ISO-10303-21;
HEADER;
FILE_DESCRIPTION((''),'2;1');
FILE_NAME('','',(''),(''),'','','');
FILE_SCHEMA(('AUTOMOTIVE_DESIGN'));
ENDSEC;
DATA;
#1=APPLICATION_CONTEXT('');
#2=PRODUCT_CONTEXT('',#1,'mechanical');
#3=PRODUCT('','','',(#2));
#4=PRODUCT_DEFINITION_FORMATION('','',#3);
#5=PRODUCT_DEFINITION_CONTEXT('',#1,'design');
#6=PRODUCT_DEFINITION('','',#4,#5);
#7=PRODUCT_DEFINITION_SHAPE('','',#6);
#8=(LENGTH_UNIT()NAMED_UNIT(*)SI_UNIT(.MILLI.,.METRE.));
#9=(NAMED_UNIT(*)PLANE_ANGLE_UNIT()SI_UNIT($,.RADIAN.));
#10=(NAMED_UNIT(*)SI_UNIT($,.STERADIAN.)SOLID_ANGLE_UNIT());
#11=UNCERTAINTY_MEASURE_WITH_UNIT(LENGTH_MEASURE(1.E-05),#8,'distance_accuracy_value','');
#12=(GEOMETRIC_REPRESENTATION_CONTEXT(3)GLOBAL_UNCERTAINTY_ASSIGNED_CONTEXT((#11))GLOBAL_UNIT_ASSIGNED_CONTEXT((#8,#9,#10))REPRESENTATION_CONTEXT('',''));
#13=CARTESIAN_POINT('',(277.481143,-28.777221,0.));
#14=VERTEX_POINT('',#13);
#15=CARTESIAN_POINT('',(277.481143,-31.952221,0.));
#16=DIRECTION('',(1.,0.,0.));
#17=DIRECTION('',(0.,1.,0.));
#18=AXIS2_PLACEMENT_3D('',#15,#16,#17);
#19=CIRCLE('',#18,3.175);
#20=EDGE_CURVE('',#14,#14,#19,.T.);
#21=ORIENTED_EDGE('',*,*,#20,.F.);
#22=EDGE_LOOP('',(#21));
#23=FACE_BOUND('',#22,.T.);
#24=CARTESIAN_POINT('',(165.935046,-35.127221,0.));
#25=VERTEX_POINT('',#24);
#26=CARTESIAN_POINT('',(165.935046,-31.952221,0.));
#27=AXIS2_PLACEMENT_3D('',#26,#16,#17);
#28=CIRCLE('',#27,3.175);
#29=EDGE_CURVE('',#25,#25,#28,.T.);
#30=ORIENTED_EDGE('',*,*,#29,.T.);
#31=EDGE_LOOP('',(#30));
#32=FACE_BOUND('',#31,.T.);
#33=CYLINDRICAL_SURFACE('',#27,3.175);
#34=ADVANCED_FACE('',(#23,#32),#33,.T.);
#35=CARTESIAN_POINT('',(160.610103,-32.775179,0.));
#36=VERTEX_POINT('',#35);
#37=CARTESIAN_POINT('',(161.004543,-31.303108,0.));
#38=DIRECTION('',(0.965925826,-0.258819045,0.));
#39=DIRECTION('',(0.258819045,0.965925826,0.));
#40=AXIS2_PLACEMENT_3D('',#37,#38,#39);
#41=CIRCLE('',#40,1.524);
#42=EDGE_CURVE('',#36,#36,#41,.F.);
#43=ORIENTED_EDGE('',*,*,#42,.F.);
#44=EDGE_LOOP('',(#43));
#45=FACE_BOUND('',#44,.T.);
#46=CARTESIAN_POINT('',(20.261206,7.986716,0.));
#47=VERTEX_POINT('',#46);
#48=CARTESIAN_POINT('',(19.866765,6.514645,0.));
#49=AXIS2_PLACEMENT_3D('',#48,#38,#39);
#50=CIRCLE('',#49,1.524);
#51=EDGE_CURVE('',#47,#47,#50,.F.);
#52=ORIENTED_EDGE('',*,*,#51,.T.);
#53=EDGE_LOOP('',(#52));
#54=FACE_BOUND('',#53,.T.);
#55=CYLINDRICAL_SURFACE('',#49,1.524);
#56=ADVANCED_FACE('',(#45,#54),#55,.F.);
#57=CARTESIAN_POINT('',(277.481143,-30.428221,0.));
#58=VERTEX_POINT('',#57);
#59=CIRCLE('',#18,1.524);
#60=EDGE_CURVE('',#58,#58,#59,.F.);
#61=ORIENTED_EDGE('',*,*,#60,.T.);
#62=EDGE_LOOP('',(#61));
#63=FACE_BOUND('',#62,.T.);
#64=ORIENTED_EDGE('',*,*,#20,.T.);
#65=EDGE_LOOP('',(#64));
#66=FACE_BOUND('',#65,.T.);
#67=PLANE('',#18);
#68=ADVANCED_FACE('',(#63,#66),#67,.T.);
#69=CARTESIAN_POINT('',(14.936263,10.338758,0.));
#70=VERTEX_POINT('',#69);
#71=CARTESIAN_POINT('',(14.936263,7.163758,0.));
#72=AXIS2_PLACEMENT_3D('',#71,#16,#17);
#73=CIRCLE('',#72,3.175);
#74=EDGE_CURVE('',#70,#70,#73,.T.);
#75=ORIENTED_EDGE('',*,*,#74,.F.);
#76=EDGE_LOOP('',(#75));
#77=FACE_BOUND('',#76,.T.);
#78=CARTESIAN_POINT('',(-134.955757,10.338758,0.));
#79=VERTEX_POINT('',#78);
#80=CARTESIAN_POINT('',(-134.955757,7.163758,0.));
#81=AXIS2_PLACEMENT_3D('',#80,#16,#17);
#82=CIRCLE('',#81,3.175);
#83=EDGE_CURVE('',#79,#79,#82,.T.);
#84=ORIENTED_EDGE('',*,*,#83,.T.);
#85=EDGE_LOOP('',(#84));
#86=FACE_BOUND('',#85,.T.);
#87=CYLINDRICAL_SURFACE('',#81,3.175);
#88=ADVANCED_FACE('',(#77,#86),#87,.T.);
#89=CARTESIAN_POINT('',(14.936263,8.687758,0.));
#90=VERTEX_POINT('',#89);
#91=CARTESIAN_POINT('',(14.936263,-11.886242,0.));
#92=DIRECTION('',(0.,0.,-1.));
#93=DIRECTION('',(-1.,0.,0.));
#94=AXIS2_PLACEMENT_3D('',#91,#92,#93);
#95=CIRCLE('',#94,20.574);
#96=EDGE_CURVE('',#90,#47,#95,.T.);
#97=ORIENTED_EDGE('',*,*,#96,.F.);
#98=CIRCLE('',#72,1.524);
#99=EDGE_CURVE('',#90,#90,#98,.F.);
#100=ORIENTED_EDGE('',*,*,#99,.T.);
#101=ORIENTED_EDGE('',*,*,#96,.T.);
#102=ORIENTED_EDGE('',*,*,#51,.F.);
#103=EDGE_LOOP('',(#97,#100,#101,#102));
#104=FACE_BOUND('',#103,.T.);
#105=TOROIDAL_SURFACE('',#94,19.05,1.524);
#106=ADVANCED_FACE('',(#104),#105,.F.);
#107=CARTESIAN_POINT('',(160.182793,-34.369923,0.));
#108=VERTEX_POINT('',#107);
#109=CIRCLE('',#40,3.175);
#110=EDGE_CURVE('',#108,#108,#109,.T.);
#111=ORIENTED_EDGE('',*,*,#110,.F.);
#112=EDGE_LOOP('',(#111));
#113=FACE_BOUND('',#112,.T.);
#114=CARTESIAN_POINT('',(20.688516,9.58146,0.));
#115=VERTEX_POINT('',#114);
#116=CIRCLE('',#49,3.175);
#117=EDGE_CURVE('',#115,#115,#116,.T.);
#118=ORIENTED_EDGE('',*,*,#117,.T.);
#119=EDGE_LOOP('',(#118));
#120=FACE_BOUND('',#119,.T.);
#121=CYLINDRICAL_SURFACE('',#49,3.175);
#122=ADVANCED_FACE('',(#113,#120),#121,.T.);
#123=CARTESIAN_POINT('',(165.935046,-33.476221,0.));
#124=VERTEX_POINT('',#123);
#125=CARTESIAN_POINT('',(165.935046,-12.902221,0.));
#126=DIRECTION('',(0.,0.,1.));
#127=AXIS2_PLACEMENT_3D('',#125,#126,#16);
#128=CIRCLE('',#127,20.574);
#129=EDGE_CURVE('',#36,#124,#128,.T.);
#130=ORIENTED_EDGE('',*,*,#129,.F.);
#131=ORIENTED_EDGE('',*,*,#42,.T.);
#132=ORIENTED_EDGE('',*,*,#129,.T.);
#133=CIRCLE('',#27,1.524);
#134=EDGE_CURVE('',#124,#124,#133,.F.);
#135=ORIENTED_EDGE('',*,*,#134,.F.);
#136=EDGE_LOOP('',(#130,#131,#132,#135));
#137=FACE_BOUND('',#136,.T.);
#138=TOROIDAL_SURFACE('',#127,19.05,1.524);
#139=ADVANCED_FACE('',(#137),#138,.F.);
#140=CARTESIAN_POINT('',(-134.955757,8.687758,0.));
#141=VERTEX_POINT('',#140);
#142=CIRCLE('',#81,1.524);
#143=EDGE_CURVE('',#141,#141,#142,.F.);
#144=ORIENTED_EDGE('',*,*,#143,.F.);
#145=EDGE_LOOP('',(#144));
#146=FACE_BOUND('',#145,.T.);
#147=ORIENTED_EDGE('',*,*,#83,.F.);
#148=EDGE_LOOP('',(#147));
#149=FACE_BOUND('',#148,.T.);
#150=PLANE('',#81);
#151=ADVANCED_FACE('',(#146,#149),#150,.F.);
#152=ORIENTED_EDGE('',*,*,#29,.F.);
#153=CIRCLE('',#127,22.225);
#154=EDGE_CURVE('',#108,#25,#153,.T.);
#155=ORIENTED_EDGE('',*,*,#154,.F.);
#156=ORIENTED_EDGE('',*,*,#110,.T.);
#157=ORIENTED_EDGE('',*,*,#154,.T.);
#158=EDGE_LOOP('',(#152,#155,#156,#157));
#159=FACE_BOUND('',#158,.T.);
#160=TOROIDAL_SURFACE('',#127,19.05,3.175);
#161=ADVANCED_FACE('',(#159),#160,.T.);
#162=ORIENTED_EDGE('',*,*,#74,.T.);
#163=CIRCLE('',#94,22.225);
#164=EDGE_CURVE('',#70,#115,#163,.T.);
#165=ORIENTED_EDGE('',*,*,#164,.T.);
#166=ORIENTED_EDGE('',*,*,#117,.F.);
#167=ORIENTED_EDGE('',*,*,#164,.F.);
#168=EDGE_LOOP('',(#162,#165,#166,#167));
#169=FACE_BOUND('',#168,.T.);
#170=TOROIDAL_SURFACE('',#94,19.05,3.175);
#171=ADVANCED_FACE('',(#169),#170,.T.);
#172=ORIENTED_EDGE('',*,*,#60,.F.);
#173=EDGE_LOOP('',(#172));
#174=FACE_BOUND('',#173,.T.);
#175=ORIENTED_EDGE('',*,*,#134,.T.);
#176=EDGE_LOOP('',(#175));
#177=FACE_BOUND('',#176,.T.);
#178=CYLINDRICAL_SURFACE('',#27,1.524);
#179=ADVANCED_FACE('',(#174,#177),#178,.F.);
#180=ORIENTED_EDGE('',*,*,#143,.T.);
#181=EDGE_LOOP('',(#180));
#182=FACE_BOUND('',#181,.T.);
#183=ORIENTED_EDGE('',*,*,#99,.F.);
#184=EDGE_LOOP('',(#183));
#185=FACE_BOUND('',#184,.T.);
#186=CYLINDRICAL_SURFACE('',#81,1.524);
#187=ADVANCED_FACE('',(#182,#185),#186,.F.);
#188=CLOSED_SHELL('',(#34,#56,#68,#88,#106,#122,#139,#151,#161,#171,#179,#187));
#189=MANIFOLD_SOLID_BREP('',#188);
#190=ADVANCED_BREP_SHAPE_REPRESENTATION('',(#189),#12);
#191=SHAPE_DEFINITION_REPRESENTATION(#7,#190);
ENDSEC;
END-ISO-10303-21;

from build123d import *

# Parameters (mm, degrees)
SKETCH2_R   = 3.175
SKETCH2_R_2 = 1.524


with BuildPart() as part:
    # Sweep1: sweep along a path in Sketch1
    with BuildLine(Plane.XY) as sweep1_path:
        Line((-134.955757404, 7.163758353), (14.936262517, 7.163758353))
        ThreePointArc((14.936262517, 7.163758353), (17.422786479, 7.000782962), (19.866765326, 6.514645344))
        Line((19.866765326, 6.514645344), (161.004543444, -31.303108324))
        ThreePointArc((161.004543444, -31.303108324), (163.448522292, -31.789245943), (165.935046254, -31.952221333))
        Line((165.935046254, -31.952221333), (277.481143375, -31.952221333))
    # Sketch2 → Sweep1 (sweep)
    with BuildSketch(Plane(origin=(-134.955757404, 7.163758353, 0), x_dir=(0, 0, -1), z_dir=(1, 0, 0))):
        Circle(SKETCH2_R)
        Circle(SKETCH2_R_2, mode=Mode.SUBTRACT)
    sweep(path=sweep1_path.line)


solid = part.part
